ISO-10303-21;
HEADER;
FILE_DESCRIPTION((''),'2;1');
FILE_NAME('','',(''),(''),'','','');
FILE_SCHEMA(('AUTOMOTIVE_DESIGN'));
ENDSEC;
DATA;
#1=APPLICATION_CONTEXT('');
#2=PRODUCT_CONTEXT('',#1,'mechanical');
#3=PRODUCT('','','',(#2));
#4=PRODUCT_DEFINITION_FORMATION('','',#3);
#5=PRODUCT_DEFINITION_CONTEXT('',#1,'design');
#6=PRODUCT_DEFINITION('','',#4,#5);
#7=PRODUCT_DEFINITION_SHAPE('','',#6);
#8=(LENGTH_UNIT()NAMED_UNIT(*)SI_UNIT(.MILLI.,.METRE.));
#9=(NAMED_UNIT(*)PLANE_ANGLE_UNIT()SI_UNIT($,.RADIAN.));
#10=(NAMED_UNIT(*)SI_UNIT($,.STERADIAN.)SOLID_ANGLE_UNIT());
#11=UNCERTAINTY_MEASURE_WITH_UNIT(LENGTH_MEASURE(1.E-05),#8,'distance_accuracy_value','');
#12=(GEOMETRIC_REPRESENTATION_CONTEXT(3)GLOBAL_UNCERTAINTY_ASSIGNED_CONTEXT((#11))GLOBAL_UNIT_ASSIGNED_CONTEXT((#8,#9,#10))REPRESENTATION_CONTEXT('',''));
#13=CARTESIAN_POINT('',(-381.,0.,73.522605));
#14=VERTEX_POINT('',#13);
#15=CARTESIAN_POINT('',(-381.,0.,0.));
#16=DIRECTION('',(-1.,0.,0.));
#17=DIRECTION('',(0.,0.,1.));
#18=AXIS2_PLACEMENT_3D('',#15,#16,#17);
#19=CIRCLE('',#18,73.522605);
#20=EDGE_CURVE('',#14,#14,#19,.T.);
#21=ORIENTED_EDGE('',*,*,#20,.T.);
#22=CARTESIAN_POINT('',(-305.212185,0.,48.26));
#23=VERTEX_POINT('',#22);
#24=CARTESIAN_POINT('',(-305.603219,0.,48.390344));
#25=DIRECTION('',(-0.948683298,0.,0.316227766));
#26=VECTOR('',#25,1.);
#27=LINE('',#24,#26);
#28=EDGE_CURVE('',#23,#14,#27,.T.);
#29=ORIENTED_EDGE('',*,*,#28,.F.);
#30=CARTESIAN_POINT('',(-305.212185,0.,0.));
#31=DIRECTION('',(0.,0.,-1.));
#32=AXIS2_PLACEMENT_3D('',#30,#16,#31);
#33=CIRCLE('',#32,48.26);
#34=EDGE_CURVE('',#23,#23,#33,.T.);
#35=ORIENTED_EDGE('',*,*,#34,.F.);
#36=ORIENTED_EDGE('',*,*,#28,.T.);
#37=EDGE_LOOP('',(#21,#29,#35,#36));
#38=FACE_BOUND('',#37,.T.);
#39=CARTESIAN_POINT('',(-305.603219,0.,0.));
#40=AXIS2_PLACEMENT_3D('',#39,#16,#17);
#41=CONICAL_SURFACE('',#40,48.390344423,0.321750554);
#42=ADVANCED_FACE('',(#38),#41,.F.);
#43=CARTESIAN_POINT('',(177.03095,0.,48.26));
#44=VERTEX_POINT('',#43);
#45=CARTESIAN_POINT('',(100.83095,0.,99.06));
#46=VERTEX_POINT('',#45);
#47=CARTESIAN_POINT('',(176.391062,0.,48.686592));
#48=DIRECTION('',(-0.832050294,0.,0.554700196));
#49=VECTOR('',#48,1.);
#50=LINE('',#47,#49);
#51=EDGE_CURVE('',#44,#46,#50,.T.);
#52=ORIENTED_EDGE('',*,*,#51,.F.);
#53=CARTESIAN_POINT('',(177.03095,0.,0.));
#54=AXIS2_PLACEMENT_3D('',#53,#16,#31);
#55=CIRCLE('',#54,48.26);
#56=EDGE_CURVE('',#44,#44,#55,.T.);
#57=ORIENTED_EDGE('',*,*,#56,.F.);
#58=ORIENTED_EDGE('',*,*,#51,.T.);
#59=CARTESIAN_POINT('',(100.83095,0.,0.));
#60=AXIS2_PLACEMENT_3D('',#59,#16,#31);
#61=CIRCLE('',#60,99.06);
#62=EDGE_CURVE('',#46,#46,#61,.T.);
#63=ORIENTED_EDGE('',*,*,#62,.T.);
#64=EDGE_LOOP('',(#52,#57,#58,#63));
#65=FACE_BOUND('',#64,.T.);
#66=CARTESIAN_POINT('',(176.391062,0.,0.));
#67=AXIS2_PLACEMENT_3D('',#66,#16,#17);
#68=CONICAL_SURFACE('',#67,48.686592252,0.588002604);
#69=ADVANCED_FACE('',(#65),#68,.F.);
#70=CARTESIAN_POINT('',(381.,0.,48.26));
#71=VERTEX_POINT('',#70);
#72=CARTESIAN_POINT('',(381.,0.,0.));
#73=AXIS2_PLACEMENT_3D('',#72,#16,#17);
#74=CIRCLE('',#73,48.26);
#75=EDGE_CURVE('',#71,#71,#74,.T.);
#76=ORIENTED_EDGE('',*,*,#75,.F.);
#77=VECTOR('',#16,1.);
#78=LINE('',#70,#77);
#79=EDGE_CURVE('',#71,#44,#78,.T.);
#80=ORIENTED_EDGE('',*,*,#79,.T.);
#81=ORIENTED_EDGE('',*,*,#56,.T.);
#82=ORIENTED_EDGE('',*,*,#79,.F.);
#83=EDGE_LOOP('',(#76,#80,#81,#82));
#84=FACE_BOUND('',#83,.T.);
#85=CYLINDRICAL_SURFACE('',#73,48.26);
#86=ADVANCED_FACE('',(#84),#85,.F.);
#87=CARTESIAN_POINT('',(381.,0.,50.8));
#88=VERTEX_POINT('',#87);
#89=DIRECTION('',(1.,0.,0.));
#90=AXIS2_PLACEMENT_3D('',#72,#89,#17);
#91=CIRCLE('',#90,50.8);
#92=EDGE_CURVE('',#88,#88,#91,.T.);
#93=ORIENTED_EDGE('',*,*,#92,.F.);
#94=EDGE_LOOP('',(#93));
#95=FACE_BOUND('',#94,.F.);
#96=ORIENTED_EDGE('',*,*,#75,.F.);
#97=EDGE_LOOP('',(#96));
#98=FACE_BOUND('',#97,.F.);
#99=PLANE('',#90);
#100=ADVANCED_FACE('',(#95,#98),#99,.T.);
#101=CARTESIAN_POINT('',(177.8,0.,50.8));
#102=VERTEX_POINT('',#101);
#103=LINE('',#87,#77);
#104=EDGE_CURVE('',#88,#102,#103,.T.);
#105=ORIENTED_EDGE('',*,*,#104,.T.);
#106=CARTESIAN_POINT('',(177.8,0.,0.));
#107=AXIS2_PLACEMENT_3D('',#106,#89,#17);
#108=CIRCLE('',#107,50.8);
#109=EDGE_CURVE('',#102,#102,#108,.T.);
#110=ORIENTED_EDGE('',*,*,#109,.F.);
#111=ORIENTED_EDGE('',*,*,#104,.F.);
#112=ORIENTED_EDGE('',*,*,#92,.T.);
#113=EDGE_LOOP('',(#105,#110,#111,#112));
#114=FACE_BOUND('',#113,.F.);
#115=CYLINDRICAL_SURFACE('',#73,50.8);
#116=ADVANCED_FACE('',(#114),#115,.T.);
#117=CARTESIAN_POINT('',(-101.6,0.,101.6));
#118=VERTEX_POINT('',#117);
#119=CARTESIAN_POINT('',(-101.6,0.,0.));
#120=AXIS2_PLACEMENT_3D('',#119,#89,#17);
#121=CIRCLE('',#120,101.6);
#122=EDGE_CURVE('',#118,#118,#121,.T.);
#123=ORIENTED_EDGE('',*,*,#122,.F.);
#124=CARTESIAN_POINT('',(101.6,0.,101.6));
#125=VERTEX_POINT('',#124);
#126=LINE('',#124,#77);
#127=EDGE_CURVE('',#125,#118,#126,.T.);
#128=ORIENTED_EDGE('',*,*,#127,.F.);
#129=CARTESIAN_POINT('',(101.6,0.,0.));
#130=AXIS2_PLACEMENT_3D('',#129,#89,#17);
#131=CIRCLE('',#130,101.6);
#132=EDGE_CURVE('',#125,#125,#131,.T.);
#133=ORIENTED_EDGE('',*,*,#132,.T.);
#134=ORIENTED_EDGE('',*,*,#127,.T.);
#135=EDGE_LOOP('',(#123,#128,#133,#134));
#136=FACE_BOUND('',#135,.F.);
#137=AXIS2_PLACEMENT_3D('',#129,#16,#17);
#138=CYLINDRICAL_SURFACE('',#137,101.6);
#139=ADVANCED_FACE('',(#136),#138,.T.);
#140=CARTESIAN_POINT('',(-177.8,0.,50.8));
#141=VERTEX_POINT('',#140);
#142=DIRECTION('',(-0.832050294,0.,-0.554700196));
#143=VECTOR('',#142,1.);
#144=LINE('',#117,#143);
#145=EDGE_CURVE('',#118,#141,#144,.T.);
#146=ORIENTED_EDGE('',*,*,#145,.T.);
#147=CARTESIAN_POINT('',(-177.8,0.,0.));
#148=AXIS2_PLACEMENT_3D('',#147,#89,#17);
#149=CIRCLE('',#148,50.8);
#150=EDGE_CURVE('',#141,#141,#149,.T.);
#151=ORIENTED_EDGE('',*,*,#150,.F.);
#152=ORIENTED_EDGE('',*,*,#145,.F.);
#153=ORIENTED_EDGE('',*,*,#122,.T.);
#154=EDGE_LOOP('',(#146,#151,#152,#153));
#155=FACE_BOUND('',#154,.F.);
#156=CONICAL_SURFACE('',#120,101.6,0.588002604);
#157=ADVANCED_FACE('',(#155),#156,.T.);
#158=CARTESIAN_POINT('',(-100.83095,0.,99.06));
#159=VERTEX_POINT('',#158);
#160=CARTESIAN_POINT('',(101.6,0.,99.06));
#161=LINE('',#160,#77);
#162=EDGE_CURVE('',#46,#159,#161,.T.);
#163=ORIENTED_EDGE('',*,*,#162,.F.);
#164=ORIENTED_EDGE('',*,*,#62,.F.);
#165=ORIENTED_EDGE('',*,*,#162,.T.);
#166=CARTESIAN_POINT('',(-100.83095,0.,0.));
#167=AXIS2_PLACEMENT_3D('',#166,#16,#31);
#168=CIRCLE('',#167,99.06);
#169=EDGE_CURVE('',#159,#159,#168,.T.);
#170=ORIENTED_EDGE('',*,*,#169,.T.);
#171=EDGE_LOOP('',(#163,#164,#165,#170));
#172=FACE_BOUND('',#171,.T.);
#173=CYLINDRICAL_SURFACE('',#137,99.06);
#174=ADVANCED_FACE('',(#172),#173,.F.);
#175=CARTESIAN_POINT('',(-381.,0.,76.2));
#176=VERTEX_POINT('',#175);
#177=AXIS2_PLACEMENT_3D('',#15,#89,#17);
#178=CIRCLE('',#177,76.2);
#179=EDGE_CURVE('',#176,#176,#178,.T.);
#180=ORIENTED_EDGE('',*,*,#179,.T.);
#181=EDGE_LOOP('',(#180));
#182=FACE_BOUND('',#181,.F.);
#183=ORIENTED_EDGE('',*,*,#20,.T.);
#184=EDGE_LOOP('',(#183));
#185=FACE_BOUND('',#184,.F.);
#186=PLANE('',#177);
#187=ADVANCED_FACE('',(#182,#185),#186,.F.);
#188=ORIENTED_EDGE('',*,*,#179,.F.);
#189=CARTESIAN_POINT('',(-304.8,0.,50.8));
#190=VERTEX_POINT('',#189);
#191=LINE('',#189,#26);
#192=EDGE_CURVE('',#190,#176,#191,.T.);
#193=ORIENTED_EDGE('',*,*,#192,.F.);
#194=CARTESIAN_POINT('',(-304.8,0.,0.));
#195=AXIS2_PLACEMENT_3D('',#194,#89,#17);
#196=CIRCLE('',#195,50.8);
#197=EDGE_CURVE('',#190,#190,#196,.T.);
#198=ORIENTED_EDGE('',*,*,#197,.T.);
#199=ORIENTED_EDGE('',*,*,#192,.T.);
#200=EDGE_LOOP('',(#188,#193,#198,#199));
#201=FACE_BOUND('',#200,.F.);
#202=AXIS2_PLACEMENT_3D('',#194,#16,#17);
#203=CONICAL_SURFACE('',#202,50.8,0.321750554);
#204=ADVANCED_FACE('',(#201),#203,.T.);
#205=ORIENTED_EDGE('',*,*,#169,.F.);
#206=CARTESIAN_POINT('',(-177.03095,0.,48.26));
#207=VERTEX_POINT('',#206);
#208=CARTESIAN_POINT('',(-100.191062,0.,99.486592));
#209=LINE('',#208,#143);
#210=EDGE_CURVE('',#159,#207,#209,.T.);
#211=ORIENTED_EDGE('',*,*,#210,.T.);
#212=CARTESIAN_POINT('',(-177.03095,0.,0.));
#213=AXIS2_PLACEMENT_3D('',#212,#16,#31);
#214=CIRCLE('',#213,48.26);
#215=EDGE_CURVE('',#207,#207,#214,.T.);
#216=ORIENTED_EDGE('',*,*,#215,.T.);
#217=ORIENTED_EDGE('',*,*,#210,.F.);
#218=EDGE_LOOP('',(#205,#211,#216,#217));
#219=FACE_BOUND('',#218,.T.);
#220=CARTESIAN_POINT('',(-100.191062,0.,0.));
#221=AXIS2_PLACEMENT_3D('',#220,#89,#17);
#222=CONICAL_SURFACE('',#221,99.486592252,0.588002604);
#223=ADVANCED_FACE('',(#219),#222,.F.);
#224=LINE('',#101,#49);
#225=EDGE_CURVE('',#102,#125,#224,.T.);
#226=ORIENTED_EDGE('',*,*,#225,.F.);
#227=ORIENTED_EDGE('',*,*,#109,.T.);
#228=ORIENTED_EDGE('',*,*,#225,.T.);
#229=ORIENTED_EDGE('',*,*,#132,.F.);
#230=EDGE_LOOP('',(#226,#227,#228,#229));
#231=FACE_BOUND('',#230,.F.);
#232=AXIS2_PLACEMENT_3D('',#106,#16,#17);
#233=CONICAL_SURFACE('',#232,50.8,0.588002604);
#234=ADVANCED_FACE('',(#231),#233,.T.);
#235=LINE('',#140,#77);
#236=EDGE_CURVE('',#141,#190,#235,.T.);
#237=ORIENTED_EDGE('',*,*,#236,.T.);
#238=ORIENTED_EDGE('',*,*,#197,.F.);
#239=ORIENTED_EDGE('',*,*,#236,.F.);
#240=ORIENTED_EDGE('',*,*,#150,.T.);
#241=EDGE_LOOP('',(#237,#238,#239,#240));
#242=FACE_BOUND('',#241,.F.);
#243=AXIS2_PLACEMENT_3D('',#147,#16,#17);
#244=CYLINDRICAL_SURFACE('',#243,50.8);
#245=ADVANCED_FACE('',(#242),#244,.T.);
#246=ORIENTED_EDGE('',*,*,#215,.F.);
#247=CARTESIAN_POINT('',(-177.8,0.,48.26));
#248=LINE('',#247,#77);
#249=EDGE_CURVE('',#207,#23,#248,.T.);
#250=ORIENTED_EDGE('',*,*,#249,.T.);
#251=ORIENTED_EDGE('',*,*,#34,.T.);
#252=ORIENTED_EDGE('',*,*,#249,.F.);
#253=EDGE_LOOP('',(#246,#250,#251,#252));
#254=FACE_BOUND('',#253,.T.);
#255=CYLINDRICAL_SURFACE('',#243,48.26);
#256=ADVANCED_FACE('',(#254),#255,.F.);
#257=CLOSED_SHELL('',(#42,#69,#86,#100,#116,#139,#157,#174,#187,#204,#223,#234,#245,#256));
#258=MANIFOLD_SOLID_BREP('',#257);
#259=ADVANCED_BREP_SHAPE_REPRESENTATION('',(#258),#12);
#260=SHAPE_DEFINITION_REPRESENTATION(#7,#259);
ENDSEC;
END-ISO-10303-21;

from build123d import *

# Parameters (mm, degrees)
F2_T = -2.54


with BuildPart() as f1:
    # F0 (on Front) → F1 (revolve)
    with BuildSketch(Plane.XZ):
        Polygon((-381, 0), (381, 0), (381, 50.8), (177.8, 50.8), (101.6, 101.6), (-101.6, 101.6), (-177.8, 50.8), (-304.8, 50.8), (-381, 76.2), align=None)
    revolve(axis=Axis((0, 0, 0), (1, 0, 0)))

    # F2
    f2_openings = [f1.faces().sort_by_distance(p)[0] for p in [
        (-381, 0, 0),
        (381, 0, 0),
    ]]
    offset(amount=F2_T, openings=f2_openings, kind=Kind.INTERSECTION)


solid = f1.part
